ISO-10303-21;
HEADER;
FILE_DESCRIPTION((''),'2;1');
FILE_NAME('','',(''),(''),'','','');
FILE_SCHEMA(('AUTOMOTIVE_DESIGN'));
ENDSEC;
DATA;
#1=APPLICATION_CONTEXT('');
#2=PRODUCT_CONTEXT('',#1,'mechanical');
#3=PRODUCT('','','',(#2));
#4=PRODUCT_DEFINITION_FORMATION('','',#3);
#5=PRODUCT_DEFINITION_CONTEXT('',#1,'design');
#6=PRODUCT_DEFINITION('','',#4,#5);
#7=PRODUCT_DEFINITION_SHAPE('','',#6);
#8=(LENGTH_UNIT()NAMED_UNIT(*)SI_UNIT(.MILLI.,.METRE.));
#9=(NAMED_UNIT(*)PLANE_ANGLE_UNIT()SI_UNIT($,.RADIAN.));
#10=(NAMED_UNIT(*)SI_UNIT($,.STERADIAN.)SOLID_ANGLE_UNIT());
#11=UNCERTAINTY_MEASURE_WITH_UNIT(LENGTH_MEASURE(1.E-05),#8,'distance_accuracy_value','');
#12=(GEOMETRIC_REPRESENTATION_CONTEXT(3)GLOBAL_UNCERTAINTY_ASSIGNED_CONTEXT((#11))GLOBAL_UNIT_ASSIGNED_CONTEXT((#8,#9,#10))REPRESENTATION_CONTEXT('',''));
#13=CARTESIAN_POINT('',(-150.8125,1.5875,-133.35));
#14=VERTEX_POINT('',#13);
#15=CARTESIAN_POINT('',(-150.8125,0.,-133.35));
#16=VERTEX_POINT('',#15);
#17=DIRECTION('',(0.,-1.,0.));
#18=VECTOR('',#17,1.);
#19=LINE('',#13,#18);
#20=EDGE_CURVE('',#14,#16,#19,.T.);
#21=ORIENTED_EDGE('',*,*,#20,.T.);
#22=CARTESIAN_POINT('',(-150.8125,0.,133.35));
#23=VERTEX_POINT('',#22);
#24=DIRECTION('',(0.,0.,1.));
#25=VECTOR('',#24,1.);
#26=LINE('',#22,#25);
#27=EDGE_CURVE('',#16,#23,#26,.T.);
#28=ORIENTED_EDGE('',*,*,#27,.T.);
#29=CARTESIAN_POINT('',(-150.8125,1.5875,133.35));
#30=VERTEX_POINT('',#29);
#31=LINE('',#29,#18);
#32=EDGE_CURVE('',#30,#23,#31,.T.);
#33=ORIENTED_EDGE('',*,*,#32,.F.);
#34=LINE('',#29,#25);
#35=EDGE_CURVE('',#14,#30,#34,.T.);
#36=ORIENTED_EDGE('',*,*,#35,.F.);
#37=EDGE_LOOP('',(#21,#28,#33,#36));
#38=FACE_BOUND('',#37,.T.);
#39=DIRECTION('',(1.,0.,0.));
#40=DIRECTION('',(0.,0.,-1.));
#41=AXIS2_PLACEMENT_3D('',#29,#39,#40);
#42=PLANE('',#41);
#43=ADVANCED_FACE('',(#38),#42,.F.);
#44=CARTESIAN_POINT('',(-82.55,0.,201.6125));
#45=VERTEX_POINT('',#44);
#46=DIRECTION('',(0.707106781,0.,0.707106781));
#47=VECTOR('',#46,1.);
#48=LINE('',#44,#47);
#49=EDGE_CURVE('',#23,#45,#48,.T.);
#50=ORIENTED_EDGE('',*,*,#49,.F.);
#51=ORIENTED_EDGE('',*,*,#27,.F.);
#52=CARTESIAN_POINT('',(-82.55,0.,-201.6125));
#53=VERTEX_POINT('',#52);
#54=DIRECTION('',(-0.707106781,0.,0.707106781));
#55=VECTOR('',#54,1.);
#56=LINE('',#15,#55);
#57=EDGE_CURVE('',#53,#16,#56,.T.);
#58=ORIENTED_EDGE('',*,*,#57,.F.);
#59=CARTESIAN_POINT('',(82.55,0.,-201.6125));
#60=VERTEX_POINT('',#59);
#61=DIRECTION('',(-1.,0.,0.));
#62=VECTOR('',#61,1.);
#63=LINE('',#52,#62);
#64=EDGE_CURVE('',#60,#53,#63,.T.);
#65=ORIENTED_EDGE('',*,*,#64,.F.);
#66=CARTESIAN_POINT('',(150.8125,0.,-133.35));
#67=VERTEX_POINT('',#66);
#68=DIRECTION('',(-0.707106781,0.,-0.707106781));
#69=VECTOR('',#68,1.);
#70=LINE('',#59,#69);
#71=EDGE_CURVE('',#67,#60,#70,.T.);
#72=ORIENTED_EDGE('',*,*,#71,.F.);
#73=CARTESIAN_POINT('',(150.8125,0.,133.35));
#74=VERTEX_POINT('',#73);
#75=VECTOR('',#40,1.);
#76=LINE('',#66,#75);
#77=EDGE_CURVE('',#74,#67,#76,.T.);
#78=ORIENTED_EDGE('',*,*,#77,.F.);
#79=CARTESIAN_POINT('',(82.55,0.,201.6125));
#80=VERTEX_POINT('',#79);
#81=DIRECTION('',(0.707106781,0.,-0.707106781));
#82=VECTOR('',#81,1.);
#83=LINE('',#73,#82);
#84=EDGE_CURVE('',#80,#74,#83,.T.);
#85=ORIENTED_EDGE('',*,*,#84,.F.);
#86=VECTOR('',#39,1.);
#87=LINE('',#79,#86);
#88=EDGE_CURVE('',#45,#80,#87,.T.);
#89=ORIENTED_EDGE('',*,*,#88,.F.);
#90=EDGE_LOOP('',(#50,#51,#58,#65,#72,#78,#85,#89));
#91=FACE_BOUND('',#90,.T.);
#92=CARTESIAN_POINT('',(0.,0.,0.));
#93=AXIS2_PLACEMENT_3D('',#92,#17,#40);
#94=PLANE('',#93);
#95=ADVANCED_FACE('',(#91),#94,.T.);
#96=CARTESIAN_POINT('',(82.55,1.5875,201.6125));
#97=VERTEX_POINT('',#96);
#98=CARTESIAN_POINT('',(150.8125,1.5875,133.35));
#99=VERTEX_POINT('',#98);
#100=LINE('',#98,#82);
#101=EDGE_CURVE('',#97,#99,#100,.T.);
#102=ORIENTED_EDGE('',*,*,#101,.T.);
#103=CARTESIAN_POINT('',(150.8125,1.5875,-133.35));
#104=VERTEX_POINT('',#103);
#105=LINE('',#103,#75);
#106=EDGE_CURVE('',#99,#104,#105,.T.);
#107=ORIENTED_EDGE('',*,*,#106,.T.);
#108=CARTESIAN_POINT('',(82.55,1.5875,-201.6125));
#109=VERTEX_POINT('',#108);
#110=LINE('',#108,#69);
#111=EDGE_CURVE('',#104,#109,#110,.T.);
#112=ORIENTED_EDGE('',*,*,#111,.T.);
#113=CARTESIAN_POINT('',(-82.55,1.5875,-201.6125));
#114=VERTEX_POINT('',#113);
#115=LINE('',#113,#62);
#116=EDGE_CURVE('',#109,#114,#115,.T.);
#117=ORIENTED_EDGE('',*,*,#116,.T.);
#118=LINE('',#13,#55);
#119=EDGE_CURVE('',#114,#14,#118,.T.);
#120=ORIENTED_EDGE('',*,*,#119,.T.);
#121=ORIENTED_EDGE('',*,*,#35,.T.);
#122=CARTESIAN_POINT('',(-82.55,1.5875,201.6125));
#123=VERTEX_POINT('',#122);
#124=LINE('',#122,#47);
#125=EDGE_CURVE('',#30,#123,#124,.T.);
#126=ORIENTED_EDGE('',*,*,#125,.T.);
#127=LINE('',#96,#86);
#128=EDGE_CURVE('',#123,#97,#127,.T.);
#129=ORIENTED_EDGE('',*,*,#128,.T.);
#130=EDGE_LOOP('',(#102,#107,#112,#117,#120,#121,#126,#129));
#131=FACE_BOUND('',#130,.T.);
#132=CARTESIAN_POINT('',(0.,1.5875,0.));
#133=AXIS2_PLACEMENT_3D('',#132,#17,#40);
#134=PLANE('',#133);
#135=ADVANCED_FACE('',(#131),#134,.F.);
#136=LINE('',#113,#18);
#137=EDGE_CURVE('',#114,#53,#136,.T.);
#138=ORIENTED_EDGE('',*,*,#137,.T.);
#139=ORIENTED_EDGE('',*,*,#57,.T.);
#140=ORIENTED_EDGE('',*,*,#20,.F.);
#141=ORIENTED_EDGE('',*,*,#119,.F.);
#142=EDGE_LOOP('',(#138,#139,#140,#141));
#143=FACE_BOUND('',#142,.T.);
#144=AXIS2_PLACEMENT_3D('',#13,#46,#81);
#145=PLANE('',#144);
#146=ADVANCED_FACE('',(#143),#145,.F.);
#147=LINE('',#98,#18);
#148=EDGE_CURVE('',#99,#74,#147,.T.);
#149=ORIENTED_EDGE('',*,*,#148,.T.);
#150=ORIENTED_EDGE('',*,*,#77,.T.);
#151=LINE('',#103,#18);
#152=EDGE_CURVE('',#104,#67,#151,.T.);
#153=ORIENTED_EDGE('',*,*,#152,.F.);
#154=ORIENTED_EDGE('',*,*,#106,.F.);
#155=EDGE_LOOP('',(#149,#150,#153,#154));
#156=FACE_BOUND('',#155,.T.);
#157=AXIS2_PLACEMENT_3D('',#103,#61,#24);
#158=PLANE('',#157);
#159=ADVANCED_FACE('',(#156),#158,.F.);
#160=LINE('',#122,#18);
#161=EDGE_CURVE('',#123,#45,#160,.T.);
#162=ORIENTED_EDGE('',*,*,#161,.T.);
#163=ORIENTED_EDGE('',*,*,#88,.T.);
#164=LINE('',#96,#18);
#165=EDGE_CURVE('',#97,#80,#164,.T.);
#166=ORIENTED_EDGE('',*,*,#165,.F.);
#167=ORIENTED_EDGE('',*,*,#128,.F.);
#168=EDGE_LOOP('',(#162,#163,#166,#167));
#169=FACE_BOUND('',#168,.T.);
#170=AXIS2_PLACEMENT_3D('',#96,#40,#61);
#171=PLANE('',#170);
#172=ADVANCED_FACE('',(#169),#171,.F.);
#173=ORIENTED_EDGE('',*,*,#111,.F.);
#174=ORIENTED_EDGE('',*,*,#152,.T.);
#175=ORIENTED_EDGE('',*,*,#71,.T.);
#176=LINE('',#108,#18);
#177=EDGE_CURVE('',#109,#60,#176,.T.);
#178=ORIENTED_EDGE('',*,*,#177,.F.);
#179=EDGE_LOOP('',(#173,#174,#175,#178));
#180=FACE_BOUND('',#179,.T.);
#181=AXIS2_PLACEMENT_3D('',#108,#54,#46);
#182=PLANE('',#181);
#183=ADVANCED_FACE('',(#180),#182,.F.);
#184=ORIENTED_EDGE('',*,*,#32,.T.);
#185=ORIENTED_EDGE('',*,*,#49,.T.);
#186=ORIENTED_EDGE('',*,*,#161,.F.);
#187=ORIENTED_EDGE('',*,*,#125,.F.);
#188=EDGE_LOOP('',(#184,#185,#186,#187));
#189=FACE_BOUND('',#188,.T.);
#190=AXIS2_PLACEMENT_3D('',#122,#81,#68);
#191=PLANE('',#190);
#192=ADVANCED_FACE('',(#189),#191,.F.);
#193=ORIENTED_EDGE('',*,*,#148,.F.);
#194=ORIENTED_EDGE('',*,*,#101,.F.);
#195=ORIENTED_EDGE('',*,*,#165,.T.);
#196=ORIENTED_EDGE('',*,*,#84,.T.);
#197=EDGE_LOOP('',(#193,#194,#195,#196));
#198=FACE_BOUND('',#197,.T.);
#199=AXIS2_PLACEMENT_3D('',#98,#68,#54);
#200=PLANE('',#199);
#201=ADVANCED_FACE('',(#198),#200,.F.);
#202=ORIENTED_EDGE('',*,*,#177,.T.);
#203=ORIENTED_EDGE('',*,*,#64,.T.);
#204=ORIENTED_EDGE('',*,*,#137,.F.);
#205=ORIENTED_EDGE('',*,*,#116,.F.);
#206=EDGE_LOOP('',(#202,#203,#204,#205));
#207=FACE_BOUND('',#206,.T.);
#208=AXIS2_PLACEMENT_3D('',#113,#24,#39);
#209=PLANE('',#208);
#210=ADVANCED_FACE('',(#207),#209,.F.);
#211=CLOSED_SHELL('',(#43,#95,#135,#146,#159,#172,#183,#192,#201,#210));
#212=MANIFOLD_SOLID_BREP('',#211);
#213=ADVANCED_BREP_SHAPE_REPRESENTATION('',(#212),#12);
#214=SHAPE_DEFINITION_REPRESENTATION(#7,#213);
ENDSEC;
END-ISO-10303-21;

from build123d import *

# Parameters (mm, degrees)
BOSS_EXTRUDE1_DEPTH = 1.5875


with BuildPart() as part:
    # Sketch1 → Boss-Extrude1 (new body)
    with BuildSketch(Plane(origin=(0, 0, 0), x_dir=(1, 0, 0), z_dir=(0, 1, 0))):
        Polygon((-82.55, 201.6125), (82.55, 201.6125), (150.8125, 133.35), (150.8125, -133.35), (82.55, -201.6125), (-82.55, -201.6125), (-150.8125, -133.35), (-150.8125, 133.35), align=None)
    extrude(amount=BOSS_EXTRUDE1_DEPTH)


solid = part.part
